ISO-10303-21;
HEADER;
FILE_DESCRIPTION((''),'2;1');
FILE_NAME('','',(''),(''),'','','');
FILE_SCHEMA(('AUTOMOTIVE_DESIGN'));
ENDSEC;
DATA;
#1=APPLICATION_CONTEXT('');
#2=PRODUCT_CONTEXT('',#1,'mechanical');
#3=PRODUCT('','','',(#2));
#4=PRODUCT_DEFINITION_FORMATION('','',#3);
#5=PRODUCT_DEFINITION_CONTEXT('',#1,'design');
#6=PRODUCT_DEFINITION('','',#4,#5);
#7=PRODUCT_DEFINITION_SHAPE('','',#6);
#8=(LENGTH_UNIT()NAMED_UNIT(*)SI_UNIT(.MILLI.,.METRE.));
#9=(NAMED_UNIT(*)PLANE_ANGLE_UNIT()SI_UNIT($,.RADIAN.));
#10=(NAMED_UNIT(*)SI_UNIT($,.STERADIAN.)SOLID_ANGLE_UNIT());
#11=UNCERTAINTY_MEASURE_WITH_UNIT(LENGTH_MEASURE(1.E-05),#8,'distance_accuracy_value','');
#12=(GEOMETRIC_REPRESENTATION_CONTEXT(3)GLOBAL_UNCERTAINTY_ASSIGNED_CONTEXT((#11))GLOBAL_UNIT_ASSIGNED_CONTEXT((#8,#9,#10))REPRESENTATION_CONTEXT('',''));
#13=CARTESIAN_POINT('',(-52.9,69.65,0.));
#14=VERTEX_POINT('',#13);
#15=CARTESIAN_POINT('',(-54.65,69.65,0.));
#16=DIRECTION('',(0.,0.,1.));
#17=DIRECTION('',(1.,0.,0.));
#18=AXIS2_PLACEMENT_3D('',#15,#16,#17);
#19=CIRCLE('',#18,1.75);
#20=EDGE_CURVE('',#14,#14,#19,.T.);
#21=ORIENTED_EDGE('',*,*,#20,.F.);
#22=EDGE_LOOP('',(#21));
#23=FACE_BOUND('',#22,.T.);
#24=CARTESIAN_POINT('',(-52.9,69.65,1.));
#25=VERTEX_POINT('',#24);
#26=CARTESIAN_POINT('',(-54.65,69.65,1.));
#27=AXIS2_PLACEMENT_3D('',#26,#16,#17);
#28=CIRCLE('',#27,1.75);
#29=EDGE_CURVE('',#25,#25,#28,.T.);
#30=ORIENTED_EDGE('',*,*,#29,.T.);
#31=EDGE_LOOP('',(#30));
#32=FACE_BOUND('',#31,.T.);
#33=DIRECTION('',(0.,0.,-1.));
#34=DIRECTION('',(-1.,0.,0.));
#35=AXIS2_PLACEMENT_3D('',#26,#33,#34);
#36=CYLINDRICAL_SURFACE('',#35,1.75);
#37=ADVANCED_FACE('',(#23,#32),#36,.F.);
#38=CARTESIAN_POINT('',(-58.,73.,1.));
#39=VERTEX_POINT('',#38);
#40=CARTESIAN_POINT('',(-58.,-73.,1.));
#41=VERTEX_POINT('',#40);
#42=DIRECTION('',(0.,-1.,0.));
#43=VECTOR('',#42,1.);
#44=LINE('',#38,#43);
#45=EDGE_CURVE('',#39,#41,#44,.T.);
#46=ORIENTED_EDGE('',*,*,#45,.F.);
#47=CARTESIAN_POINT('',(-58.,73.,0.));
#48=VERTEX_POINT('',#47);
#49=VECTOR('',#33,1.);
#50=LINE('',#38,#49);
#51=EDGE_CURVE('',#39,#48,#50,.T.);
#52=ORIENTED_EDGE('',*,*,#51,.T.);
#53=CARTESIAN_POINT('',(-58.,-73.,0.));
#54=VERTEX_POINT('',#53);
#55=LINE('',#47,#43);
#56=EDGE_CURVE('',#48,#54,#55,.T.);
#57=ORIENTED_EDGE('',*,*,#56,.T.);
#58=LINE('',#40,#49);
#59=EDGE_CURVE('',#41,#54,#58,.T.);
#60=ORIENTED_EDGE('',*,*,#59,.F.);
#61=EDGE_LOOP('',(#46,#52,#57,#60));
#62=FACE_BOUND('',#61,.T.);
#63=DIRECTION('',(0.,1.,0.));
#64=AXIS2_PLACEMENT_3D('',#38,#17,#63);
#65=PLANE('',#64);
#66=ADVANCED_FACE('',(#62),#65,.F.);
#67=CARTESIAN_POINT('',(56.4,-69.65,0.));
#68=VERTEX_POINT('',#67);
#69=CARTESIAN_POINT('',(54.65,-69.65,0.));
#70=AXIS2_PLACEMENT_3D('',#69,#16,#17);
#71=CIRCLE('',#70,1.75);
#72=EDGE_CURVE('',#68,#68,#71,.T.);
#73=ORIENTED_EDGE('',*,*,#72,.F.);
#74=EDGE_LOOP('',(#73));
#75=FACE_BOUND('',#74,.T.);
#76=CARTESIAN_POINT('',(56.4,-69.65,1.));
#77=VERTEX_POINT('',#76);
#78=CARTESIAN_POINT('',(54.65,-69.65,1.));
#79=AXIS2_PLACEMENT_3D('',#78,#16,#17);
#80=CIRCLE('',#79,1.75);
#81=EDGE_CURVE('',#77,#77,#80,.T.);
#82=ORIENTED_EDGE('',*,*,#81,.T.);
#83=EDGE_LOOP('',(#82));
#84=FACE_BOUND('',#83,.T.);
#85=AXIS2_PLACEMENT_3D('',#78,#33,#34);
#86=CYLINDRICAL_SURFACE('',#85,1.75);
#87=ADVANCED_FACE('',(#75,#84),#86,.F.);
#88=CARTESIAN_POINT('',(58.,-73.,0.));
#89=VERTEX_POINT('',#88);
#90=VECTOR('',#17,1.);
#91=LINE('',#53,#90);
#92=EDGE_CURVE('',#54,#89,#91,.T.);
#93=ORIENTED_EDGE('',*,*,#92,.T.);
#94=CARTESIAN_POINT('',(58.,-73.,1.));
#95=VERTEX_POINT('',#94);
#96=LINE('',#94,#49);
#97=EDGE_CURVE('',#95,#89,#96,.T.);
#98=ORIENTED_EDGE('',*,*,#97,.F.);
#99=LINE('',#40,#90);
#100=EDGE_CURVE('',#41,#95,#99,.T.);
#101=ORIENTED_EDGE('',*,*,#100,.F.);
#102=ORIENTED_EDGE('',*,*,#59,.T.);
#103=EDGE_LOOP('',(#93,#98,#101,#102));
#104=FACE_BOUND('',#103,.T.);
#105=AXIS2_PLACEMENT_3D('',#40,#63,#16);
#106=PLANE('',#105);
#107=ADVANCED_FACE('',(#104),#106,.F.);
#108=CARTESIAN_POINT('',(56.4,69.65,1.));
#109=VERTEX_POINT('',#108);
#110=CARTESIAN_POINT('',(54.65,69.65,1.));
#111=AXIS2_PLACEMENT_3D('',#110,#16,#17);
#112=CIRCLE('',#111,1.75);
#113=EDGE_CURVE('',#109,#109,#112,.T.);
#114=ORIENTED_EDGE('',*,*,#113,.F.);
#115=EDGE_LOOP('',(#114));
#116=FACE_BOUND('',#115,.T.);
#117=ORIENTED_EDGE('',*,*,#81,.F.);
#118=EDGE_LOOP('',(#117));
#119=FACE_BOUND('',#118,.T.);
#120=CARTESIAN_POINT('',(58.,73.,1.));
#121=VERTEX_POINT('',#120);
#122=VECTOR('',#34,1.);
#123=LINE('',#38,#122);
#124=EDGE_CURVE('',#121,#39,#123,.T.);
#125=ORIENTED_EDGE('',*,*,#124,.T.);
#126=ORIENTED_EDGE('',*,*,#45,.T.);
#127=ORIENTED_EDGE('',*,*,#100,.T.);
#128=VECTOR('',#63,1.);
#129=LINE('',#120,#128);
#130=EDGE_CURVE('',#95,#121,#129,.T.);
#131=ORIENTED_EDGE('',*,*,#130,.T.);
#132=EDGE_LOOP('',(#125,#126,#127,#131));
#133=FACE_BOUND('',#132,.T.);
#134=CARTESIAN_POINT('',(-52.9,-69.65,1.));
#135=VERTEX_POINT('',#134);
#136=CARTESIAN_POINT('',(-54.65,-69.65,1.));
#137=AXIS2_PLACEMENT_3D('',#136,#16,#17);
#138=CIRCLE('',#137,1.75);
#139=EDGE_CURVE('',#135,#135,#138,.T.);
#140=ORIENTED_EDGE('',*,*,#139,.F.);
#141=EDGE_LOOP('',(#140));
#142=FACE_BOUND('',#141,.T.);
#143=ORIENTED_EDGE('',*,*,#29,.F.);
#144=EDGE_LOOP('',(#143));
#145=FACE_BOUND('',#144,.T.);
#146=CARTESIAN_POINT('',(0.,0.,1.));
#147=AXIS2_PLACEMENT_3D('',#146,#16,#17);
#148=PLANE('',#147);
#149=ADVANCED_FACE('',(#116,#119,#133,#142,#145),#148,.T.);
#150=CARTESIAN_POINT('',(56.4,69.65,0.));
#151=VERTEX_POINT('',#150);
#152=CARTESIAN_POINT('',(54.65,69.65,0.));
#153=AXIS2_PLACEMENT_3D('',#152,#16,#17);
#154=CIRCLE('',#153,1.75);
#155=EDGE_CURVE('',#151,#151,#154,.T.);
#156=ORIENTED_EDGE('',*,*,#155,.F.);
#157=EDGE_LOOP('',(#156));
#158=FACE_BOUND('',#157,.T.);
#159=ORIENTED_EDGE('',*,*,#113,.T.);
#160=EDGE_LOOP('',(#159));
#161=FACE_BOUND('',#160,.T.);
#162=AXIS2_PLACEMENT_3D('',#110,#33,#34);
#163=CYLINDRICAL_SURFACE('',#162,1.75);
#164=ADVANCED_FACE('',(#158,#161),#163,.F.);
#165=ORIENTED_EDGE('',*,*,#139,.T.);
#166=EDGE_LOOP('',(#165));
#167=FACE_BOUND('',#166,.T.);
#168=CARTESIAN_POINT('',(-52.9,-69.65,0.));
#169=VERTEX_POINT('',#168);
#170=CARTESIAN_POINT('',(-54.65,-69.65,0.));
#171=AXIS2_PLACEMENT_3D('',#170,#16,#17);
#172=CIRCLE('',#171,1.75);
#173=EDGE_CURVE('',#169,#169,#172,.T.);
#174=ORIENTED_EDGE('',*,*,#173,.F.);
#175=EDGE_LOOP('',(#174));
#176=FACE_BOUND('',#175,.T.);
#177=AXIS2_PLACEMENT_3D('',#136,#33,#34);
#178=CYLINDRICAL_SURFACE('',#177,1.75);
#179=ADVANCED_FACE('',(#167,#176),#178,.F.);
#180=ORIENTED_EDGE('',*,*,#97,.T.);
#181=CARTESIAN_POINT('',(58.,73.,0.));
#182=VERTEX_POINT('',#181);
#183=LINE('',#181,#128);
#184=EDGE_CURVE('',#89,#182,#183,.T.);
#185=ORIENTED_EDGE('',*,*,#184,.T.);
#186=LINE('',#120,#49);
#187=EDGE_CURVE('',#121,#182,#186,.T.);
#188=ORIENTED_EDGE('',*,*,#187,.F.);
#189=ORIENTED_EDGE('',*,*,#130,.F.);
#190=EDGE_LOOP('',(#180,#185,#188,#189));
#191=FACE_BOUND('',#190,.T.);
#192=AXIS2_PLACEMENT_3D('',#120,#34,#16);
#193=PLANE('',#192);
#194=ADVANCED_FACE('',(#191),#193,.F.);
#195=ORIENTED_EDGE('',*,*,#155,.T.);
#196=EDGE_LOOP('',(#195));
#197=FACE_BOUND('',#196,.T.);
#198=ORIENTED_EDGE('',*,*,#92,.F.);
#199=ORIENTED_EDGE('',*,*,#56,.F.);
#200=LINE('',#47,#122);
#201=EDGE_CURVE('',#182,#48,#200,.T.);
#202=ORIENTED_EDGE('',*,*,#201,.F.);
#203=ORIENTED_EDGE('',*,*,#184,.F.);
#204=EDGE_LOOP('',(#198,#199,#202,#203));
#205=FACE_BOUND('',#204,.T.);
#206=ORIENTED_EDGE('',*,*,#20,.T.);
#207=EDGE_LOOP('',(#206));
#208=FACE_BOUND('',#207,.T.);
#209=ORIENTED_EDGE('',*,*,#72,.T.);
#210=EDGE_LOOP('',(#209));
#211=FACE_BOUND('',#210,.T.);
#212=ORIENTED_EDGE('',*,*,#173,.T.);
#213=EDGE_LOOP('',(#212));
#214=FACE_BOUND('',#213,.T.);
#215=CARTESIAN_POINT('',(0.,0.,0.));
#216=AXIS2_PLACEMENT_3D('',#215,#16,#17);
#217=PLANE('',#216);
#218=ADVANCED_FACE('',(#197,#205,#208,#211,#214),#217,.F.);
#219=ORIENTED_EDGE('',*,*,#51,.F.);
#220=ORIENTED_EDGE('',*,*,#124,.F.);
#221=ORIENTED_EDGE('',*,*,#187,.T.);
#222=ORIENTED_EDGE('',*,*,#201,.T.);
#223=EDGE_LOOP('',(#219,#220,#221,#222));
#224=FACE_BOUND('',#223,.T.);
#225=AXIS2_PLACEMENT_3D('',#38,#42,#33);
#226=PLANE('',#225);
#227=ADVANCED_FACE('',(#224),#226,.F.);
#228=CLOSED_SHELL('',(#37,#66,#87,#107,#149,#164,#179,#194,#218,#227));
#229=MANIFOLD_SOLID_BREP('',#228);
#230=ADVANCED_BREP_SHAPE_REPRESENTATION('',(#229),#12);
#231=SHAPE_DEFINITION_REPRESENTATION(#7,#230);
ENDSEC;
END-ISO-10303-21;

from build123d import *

# Parameters (mm, degrees)
SKETCH1_W           = 116
SKETCH1_H           = 146
SKETCH1_R           = 1.75
BOSS_EXTRUDE1_DEPTH = 1


with BuildPart() as part:
    # Sketch1 → Boss-Extrude1 (new body)
    with BuildSketch(Plane.XY):
        Rectangle(SKETCH1_W, SKETCH1_H)
        with Locations((-54.65, 69.65)):
            Circle(SKETCH1_R, mode=Mode.SUBTRACT)
        with Locations((54.65, 69.65)):
            Circle(SKETCH1_R, mode=Mode.SUBTRACT)
        with Locations((54.65, -69.65)):
            Circle(SKETCH1_R, mode=Mode.SUBTRACT)
        with Locations((-54.65, -69.65)):
            Circle(SKETCH1_R, mode=Mode.SUBTRACT)
    extrude(amount=BOSS_EXTRUDE1_DEPTH)


solid = part.part
